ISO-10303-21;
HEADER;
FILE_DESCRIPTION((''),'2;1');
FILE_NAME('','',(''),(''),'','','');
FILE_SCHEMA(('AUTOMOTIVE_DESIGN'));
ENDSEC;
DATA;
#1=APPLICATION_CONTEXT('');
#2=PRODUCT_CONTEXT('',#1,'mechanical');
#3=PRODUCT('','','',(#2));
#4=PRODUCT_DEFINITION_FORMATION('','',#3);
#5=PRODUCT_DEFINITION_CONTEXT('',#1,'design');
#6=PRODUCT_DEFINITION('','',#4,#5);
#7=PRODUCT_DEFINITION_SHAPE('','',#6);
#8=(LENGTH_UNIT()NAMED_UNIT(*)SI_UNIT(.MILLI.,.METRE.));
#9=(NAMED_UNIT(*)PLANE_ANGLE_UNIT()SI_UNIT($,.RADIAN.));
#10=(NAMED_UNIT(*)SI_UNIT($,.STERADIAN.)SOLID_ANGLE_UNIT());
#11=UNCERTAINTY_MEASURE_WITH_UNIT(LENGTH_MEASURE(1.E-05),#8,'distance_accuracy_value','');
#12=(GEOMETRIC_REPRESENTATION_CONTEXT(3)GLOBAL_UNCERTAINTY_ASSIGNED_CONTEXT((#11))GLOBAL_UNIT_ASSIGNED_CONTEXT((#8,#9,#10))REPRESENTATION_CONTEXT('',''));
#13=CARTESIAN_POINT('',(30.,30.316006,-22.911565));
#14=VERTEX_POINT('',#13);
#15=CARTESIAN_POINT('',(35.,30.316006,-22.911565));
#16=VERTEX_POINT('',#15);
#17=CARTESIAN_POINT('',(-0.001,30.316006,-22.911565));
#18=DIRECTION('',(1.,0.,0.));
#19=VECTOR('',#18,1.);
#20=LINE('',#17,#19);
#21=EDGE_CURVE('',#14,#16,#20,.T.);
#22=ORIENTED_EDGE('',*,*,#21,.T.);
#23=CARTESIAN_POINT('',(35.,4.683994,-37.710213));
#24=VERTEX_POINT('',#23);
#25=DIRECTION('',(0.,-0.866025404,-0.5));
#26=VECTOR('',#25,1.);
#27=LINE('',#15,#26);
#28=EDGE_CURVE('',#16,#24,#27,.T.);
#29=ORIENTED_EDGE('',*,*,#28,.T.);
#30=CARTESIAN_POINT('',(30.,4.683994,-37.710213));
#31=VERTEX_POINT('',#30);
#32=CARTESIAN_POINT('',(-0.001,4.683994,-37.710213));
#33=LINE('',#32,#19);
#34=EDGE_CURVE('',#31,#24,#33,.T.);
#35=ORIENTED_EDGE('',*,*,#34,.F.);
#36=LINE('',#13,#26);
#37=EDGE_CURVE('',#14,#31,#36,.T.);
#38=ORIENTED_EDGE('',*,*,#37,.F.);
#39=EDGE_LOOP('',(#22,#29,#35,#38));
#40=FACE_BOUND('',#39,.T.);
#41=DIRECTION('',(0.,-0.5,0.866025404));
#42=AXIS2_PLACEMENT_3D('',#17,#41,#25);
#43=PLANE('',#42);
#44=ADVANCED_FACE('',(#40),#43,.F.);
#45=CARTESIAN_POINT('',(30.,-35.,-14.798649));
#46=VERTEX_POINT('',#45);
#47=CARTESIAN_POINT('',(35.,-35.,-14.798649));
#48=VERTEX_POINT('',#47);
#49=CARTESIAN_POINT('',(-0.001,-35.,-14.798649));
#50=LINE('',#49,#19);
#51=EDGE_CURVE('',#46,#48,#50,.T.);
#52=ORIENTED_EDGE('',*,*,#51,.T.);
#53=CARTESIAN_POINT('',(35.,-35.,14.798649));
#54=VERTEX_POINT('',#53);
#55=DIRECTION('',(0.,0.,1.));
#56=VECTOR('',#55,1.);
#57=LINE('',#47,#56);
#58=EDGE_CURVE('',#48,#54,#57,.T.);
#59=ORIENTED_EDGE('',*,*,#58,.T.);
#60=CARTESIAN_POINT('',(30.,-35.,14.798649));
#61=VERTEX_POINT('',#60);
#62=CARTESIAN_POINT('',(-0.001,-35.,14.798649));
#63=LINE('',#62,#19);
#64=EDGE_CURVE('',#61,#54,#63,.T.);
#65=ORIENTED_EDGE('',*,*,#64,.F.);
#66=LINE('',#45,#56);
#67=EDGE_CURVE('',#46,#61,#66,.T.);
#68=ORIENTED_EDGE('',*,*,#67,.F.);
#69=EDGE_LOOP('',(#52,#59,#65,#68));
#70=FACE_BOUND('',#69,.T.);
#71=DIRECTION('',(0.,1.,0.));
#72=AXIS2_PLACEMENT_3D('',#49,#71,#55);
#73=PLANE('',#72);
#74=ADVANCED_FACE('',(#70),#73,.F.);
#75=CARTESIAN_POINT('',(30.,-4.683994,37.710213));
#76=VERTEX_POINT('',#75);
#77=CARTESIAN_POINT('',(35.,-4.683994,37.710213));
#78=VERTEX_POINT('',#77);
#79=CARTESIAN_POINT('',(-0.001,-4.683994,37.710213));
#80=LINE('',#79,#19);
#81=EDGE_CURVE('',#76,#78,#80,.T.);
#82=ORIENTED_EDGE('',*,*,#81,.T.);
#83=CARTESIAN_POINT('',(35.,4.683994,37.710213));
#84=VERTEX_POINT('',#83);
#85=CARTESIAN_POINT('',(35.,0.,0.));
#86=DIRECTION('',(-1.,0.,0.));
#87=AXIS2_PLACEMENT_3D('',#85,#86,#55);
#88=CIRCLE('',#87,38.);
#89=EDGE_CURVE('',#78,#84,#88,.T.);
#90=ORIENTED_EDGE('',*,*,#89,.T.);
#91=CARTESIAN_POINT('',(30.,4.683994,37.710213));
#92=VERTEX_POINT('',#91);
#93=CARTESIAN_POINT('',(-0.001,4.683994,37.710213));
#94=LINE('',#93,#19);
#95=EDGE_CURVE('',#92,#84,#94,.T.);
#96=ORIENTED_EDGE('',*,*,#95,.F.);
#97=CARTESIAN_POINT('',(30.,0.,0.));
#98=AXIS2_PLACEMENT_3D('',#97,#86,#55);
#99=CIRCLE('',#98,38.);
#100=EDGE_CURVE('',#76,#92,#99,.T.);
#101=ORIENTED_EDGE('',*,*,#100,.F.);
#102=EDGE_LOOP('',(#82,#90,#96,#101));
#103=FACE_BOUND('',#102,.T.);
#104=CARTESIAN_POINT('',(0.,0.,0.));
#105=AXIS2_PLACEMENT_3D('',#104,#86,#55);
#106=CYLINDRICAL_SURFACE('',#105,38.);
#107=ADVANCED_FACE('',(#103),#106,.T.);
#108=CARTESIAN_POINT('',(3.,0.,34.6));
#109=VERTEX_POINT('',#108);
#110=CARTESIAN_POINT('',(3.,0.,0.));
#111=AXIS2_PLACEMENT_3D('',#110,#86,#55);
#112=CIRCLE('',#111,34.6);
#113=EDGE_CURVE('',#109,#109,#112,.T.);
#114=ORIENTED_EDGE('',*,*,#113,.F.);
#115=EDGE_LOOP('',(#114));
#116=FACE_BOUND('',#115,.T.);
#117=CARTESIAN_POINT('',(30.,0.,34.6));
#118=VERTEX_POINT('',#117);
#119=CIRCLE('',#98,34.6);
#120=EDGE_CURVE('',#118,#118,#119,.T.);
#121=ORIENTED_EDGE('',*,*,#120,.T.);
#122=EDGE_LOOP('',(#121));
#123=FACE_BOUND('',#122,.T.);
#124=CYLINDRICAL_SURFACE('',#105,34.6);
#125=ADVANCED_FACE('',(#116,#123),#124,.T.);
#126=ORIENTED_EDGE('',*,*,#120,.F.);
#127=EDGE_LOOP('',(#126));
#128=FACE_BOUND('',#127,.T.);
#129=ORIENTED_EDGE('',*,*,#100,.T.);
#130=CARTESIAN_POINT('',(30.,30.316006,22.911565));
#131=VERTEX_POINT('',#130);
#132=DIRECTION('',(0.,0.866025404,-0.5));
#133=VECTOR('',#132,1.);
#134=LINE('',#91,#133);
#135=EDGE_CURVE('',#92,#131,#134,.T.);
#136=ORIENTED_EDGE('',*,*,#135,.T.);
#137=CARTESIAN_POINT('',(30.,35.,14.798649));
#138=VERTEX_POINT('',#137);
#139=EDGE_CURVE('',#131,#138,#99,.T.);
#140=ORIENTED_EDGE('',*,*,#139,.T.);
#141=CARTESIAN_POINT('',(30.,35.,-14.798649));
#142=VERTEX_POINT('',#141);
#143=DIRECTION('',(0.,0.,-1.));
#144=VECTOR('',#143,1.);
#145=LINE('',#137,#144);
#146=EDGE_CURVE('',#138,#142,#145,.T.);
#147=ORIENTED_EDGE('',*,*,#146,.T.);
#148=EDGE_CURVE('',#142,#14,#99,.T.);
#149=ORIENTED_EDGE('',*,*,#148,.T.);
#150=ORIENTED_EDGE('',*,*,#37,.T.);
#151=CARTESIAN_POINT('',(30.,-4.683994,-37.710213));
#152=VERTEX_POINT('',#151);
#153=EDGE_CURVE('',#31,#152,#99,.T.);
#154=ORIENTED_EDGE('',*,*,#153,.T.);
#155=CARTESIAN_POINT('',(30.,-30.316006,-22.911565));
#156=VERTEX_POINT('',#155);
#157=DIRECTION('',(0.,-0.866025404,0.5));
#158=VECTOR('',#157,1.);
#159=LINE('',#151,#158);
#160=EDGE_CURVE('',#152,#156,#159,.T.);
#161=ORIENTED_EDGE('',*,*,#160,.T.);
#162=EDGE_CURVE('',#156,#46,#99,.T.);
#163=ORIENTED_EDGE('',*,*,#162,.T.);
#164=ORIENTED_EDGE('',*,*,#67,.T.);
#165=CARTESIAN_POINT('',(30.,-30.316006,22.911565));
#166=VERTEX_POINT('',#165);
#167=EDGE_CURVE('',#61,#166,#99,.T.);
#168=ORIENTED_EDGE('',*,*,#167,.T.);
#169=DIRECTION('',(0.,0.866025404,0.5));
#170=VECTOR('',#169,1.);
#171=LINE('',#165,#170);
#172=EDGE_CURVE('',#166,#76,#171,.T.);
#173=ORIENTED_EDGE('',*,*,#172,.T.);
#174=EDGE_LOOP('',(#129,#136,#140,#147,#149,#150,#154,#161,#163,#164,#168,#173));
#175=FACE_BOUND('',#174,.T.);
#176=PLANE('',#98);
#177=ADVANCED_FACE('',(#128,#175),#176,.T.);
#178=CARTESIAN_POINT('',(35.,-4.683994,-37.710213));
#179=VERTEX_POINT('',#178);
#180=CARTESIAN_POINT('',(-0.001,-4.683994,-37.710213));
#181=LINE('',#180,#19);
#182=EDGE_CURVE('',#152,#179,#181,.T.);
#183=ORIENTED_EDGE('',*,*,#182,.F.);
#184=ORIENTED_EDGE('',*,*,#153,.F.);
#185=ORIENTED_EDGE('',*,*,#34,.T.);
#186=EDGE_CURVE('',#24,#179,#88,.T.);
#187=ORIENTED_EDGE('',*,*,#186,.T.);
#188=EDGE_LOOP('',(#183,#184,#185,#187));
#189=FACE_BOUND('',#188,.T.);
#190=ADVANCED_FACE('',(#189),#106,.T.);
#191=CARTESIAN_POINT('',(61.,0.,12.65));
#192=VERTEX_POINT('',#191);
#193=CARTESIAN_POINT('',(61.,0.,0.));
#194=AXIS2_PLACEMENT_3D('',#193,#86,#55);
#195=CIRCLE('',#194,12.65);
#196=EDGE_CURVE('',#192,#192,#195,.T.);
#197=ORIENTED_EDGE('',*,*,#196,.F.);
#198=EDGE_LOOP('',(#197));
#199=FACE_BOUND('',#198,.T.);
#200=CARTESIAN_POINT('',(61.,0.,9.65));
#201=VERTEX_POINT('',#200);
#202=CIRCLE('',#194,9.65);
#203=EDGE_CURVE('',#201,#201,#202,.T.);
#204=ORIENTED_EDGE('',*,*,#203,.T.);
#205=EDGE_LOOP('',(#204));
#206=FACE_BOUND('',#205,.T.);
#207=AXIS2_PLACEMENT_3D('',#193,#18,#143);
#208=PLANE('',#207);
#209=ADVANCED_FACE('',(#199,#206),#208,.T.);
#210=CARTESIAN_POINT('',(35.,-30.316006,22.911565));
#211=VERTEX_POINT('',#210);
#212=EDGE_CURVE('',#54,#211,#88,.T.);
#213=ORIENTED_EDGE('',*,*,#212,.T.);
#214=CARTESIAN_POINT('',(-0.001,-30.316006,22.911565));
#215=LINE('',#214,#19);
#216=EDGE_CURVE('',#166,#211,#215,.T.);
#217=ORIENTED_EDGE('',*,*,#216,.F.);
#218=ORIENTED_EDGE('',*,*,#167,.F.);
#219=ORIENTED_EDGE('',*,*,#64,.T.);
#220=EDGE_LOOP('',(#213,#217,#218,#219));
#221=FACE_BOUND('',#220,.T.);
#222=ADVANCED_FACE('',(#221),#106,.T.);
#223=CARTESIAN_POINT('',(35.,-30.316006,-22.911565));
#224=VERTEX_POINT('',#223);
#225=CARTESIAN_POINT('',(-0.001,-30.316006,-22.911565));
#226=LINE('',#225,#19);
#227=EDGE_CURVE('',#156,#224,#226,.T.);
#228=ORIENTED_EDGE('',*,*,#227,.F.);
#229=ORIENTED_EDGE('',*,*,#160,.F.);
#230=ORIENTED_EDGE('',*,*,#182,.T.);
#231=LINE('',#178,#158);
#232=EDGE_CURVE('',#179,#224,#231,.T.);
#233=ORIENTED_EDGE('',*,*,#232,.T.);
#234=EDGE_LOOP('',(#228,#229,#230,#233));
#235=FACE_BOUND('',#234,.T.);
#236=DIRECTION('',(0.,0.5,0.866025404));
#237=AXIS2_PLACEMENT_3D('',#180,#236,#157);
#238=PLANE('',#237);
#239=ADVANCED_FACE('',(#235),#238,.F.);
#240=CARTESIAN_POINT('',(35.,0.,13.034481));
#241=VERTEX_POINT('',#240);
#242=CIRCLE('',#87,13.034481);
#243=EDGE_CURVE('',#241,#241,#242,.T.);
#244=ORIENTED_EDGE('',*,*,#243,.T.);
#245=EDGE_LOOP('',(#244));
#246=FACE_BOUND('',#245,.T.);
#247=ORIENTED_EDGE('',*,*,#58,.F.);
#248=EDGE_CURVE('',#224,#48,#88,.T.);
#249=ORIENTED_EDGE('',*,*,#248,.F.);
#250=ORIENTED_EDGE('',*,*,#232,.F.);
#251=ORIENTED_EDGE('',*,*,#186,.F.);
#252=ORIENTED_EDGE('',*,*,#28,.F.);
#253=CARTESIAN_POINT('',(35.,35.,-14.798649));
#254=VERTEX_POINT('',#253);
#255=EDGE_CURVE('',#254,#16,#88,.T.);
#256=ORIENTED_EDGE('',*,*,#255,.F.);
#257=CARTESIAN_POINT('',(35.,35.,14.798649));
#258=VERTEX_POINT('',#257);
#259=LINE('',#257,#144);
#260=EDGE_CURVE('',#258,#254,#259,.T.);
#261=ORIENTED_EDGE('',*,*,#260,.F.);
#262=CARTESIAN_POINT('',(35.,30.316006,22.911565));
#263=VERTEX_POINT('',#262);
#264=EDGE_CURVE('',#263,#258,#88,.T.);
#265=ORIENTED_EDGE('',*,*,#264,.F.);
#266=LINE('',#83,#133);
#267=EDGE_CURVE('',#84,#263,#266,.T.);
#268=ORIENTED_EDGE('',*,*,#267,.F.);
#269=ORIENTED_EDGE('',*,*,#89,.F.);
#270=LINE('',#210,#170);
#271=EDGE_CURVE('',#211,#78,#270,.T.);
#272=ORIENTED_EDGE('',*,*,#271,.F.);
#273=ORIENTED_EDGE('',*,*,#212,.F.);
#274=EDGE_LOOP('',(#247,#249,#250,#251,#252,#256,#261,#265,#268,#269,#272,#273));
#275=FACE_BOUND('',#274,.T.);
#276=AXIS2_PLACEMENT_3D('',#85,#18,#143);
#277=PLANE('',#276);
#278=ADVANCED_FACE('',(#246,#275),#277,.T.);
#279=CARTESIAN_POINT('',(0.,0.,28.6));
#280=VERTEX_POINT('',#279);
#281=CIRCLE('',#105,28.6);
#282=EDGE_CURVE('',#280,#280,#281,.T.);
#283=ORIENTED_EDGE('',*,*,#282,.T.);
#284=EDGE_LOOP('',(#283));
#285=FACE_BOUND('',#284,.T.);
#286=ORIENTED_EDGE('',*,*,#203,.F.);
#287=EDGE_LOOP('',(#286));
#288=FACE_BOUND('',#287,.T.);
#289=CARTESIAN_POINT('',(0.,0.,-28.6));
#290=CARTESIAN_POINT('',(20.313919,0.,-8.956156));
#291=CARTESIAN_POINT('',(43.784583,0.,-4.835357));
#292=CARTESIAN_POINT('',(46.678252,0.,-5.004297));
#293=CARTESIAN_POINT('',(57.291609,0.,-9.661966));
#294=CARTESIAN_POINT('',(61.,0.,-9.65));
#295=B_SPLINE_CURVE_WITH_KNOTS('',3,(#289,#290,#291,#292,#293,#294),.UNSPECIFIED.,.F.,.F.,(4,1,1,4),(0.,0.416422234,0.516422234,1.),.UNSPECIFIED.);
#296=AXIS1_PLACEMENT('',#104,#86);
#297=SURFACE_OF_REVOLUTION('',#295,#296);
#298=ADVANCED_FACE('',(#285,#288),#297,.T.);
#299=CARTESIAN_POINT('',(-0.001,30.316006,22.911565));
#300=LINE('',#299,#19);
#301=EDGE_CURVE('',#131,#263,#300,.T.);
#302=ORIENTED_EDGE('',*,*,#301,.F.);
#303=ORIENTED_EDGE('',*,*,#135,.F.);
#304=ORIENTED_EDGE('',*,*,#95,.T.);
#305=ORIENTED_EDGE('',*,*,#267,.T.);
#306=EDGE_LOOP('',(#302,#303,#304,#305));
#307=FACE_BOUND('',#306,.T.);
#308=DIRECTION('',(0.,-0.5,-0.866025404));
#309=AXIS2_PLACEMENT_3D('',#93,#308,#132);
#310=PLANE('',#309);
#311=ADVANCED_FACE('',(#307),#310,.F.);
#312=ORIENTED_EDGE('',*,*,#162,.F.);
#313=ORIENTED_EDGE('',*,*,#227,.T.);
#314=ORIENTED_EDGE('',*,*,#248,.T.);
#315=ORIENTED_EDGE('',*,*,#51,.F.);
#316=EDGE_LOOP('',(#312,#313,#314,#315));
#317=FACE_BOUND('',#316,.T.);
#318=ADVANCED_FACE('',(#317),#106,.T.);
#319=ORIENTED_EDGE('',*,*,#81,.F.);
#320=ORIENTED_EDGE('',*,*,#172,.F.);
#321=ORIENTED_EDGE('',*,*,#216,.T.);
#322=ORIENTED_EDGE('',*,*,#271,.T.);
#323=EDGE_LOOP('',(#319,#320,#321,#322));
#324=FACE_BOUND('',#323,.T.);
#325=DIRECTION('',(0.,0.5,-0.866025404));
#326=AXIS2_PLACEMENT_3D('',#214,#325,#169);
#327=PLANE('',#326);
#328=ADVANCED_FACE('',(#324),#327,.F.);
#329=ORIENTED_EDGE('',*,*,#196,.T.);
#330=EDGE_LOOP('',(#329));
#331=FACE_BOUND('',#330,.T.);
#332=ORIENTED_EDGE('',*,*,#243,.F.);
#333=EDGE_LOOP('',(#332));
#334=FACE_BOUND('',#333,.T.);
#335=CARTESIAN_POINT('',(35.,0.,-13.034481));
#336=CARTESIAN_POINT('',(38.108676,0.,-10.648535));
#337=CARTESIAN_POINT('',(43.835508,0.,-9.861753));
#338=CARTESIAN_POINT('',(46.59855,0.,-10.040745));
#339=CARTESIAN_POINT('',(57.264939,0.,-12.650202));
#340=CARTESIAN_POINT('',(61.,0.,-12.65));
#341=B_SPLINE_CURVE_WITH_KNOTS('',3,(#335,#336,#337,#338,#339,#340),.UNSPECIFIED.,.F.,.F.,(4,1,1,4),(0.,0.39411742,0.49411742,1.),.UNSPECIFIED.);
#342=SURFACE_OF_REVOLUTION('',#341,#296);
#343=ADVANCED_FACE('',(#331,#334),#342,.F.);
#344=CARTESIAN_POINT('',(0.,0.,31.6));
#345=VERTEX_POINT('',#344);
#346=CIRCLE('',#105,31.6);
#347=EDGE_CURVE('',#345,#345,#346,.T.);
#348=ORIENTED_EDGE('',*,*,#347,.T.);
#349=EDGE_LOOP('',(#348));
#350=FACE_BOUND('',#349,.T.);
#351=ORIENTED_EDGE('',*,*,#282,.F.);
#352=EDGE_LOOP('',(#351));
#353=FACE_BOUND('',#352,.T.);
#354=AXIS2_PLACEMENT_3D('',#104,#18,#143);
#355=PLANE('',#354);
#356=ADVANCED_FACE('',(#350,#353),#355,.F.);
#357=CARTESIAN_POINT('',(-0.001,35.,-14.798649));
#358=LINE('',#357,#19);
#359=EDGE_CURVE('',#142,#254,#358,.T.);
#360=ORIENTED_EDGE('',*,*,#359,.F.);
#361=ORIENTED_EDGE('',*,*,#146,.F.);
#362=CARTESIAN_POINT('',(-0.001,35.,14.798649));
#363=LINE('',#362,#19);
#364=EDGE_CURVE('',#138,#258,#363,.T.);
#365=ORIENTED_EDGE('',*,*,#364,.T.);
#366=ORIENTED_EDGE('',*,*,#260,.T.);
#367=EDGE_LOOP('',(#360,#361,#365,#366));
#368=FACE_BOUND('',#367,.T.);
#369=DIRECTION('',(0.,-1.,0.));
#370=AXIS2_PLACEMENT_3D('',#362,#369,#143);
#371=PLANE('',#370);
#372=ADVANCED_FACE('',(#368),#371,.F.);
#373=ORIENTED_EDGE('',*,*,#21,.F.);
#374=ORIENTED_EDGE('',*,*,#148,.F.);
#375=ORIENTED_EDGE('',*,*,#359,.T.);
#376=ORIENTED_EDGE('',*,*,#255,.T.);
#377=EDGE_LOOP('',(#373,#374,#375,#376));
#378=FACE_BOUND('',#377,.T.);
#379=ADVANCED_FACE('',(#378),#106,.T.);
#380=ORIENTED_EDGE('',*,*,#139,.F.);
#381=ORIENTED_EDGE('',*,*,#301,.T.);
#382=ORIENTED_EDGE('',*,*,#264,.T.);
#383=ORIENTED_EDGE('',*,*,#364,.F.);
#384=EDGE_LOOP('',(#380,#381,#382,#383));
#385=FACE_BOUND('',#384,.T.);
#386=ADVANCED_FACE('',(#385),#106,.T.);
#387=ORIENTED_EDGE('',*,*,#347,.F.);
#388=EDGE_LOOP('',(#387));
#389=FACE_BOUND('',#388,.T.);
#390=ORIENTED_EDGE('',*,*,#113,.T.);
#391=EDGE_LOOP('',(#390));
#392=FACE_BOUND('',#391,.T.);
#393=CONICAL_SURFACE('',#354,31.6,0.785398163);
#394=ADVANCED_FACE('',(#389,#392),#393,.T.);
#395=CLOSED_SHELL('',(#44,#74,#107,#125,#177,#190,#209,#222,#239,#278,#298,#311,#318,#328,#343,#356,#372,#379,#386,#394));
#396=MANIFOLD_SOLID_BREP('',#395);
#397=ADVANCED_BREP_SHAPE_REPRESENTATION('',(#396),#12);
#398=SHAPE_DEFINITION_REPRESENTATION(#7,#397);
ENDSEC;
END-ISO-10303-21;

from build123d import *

# Parameters (mm, degrees)
CORTE_EXTRUS_O1_REACH = 66.133
PADR_OCIRCULAR1_COUNT = 6


with BuildPart() as part:
    # Esboço5 → Revolução2 (revolve)
    with BuildSketch(Plane(origin=(0, 0, 0), x_dir=(1, 0, 0), z_dir=(0, 1, 0)), mode=Mode.PRIVATE) as revolu_o2_sk:
        with BuildLine():
            Line((30, 34.6), (30, 38))
            Line((30, 38), (35, 38))
            Line((35, 38), (35, 13.034480978))
            add(Edge.make_bspline(
                [(35, 13.034480978), (38.108675957, 10.648534591), (43.835508458, 9.861753235), (46.598549995, 10.040745389), (57.264939348, 12.650201836), (61, 12.65)],
                knots=[0, 0, 0, 0, 0.39411742, 0.49411742, 1, 1, 1, 1], degree=3))
            Line((61, 12.65), (61, 9.65))
            add(Edge.make_bspline(
                [(0, 28.6), (20.31391897, 8.95615601), (43.784583373, 4.835357072), (46.678252365, 5.00429716), (57.291609233, 9.661966126), (61, 9.65)],
                knots=[0, 0, 0, 0, 0.416422234, 0.516422234, 1, 1, 1, 1], degree=3))
            Line((0, 28.6), (0, 31.6))
            Line((0, 31.6), (3, 34.6))
            Line((3, 34.6), (30, 34.6))
        make_face()
    revolve(revolu_o2_sk.sketch.rotate(Axis((0, 0, 0), (1, 0, 0)), 180), axis=Axis((0, 0, 0), (1, 0, 0)))

    # Esboço30 → Corte-extrusão1 (cut, up to next)
    with BuildSketch(Plane(origin=(35, 0, 0), x_dir=(0, 0, -1), z_dir=(1, 0, 0)), mode=Mode.PRIVATE) as corte_extrus_o1_sk1:
        with BuildLine():
            Line((-14.798648587, 35), (14.798648587, 35))
            ThreePointArc((14.798648587, 35), (0, 38), (-14.798648587, 35))
        make_face()
    corte_extrus_o1_tool1 = extrude(corte_extrus_o1_sk1.sketch, amount=-CORTE_EXTRUS_O1_REACH, mode=Mode.PRIVATE) & part.part
    corte_extrus_o1 = corte_extrus_o1_tool1.solids().sort_by_distance((35, 36.204155, 0))[0]
    add(corte_extrus_o1, mode=Mode.SUBTRACT)

    # PadrãoCircular1: Corte-extrusão1 ×6 about axis
    padr_ocircular1_axis = Axis((0, 0, 0), (1, 0, 0))
    for i in range(1, PADR_OCIRCULAR1_COUNT):
        add(corte_extrus_o1.rotate(padr_ocircular1_axis, i * 360 / PADR_OCIRCULAR1_COUNT), mode=Mode.SUBTRACT)


solid = part.part
